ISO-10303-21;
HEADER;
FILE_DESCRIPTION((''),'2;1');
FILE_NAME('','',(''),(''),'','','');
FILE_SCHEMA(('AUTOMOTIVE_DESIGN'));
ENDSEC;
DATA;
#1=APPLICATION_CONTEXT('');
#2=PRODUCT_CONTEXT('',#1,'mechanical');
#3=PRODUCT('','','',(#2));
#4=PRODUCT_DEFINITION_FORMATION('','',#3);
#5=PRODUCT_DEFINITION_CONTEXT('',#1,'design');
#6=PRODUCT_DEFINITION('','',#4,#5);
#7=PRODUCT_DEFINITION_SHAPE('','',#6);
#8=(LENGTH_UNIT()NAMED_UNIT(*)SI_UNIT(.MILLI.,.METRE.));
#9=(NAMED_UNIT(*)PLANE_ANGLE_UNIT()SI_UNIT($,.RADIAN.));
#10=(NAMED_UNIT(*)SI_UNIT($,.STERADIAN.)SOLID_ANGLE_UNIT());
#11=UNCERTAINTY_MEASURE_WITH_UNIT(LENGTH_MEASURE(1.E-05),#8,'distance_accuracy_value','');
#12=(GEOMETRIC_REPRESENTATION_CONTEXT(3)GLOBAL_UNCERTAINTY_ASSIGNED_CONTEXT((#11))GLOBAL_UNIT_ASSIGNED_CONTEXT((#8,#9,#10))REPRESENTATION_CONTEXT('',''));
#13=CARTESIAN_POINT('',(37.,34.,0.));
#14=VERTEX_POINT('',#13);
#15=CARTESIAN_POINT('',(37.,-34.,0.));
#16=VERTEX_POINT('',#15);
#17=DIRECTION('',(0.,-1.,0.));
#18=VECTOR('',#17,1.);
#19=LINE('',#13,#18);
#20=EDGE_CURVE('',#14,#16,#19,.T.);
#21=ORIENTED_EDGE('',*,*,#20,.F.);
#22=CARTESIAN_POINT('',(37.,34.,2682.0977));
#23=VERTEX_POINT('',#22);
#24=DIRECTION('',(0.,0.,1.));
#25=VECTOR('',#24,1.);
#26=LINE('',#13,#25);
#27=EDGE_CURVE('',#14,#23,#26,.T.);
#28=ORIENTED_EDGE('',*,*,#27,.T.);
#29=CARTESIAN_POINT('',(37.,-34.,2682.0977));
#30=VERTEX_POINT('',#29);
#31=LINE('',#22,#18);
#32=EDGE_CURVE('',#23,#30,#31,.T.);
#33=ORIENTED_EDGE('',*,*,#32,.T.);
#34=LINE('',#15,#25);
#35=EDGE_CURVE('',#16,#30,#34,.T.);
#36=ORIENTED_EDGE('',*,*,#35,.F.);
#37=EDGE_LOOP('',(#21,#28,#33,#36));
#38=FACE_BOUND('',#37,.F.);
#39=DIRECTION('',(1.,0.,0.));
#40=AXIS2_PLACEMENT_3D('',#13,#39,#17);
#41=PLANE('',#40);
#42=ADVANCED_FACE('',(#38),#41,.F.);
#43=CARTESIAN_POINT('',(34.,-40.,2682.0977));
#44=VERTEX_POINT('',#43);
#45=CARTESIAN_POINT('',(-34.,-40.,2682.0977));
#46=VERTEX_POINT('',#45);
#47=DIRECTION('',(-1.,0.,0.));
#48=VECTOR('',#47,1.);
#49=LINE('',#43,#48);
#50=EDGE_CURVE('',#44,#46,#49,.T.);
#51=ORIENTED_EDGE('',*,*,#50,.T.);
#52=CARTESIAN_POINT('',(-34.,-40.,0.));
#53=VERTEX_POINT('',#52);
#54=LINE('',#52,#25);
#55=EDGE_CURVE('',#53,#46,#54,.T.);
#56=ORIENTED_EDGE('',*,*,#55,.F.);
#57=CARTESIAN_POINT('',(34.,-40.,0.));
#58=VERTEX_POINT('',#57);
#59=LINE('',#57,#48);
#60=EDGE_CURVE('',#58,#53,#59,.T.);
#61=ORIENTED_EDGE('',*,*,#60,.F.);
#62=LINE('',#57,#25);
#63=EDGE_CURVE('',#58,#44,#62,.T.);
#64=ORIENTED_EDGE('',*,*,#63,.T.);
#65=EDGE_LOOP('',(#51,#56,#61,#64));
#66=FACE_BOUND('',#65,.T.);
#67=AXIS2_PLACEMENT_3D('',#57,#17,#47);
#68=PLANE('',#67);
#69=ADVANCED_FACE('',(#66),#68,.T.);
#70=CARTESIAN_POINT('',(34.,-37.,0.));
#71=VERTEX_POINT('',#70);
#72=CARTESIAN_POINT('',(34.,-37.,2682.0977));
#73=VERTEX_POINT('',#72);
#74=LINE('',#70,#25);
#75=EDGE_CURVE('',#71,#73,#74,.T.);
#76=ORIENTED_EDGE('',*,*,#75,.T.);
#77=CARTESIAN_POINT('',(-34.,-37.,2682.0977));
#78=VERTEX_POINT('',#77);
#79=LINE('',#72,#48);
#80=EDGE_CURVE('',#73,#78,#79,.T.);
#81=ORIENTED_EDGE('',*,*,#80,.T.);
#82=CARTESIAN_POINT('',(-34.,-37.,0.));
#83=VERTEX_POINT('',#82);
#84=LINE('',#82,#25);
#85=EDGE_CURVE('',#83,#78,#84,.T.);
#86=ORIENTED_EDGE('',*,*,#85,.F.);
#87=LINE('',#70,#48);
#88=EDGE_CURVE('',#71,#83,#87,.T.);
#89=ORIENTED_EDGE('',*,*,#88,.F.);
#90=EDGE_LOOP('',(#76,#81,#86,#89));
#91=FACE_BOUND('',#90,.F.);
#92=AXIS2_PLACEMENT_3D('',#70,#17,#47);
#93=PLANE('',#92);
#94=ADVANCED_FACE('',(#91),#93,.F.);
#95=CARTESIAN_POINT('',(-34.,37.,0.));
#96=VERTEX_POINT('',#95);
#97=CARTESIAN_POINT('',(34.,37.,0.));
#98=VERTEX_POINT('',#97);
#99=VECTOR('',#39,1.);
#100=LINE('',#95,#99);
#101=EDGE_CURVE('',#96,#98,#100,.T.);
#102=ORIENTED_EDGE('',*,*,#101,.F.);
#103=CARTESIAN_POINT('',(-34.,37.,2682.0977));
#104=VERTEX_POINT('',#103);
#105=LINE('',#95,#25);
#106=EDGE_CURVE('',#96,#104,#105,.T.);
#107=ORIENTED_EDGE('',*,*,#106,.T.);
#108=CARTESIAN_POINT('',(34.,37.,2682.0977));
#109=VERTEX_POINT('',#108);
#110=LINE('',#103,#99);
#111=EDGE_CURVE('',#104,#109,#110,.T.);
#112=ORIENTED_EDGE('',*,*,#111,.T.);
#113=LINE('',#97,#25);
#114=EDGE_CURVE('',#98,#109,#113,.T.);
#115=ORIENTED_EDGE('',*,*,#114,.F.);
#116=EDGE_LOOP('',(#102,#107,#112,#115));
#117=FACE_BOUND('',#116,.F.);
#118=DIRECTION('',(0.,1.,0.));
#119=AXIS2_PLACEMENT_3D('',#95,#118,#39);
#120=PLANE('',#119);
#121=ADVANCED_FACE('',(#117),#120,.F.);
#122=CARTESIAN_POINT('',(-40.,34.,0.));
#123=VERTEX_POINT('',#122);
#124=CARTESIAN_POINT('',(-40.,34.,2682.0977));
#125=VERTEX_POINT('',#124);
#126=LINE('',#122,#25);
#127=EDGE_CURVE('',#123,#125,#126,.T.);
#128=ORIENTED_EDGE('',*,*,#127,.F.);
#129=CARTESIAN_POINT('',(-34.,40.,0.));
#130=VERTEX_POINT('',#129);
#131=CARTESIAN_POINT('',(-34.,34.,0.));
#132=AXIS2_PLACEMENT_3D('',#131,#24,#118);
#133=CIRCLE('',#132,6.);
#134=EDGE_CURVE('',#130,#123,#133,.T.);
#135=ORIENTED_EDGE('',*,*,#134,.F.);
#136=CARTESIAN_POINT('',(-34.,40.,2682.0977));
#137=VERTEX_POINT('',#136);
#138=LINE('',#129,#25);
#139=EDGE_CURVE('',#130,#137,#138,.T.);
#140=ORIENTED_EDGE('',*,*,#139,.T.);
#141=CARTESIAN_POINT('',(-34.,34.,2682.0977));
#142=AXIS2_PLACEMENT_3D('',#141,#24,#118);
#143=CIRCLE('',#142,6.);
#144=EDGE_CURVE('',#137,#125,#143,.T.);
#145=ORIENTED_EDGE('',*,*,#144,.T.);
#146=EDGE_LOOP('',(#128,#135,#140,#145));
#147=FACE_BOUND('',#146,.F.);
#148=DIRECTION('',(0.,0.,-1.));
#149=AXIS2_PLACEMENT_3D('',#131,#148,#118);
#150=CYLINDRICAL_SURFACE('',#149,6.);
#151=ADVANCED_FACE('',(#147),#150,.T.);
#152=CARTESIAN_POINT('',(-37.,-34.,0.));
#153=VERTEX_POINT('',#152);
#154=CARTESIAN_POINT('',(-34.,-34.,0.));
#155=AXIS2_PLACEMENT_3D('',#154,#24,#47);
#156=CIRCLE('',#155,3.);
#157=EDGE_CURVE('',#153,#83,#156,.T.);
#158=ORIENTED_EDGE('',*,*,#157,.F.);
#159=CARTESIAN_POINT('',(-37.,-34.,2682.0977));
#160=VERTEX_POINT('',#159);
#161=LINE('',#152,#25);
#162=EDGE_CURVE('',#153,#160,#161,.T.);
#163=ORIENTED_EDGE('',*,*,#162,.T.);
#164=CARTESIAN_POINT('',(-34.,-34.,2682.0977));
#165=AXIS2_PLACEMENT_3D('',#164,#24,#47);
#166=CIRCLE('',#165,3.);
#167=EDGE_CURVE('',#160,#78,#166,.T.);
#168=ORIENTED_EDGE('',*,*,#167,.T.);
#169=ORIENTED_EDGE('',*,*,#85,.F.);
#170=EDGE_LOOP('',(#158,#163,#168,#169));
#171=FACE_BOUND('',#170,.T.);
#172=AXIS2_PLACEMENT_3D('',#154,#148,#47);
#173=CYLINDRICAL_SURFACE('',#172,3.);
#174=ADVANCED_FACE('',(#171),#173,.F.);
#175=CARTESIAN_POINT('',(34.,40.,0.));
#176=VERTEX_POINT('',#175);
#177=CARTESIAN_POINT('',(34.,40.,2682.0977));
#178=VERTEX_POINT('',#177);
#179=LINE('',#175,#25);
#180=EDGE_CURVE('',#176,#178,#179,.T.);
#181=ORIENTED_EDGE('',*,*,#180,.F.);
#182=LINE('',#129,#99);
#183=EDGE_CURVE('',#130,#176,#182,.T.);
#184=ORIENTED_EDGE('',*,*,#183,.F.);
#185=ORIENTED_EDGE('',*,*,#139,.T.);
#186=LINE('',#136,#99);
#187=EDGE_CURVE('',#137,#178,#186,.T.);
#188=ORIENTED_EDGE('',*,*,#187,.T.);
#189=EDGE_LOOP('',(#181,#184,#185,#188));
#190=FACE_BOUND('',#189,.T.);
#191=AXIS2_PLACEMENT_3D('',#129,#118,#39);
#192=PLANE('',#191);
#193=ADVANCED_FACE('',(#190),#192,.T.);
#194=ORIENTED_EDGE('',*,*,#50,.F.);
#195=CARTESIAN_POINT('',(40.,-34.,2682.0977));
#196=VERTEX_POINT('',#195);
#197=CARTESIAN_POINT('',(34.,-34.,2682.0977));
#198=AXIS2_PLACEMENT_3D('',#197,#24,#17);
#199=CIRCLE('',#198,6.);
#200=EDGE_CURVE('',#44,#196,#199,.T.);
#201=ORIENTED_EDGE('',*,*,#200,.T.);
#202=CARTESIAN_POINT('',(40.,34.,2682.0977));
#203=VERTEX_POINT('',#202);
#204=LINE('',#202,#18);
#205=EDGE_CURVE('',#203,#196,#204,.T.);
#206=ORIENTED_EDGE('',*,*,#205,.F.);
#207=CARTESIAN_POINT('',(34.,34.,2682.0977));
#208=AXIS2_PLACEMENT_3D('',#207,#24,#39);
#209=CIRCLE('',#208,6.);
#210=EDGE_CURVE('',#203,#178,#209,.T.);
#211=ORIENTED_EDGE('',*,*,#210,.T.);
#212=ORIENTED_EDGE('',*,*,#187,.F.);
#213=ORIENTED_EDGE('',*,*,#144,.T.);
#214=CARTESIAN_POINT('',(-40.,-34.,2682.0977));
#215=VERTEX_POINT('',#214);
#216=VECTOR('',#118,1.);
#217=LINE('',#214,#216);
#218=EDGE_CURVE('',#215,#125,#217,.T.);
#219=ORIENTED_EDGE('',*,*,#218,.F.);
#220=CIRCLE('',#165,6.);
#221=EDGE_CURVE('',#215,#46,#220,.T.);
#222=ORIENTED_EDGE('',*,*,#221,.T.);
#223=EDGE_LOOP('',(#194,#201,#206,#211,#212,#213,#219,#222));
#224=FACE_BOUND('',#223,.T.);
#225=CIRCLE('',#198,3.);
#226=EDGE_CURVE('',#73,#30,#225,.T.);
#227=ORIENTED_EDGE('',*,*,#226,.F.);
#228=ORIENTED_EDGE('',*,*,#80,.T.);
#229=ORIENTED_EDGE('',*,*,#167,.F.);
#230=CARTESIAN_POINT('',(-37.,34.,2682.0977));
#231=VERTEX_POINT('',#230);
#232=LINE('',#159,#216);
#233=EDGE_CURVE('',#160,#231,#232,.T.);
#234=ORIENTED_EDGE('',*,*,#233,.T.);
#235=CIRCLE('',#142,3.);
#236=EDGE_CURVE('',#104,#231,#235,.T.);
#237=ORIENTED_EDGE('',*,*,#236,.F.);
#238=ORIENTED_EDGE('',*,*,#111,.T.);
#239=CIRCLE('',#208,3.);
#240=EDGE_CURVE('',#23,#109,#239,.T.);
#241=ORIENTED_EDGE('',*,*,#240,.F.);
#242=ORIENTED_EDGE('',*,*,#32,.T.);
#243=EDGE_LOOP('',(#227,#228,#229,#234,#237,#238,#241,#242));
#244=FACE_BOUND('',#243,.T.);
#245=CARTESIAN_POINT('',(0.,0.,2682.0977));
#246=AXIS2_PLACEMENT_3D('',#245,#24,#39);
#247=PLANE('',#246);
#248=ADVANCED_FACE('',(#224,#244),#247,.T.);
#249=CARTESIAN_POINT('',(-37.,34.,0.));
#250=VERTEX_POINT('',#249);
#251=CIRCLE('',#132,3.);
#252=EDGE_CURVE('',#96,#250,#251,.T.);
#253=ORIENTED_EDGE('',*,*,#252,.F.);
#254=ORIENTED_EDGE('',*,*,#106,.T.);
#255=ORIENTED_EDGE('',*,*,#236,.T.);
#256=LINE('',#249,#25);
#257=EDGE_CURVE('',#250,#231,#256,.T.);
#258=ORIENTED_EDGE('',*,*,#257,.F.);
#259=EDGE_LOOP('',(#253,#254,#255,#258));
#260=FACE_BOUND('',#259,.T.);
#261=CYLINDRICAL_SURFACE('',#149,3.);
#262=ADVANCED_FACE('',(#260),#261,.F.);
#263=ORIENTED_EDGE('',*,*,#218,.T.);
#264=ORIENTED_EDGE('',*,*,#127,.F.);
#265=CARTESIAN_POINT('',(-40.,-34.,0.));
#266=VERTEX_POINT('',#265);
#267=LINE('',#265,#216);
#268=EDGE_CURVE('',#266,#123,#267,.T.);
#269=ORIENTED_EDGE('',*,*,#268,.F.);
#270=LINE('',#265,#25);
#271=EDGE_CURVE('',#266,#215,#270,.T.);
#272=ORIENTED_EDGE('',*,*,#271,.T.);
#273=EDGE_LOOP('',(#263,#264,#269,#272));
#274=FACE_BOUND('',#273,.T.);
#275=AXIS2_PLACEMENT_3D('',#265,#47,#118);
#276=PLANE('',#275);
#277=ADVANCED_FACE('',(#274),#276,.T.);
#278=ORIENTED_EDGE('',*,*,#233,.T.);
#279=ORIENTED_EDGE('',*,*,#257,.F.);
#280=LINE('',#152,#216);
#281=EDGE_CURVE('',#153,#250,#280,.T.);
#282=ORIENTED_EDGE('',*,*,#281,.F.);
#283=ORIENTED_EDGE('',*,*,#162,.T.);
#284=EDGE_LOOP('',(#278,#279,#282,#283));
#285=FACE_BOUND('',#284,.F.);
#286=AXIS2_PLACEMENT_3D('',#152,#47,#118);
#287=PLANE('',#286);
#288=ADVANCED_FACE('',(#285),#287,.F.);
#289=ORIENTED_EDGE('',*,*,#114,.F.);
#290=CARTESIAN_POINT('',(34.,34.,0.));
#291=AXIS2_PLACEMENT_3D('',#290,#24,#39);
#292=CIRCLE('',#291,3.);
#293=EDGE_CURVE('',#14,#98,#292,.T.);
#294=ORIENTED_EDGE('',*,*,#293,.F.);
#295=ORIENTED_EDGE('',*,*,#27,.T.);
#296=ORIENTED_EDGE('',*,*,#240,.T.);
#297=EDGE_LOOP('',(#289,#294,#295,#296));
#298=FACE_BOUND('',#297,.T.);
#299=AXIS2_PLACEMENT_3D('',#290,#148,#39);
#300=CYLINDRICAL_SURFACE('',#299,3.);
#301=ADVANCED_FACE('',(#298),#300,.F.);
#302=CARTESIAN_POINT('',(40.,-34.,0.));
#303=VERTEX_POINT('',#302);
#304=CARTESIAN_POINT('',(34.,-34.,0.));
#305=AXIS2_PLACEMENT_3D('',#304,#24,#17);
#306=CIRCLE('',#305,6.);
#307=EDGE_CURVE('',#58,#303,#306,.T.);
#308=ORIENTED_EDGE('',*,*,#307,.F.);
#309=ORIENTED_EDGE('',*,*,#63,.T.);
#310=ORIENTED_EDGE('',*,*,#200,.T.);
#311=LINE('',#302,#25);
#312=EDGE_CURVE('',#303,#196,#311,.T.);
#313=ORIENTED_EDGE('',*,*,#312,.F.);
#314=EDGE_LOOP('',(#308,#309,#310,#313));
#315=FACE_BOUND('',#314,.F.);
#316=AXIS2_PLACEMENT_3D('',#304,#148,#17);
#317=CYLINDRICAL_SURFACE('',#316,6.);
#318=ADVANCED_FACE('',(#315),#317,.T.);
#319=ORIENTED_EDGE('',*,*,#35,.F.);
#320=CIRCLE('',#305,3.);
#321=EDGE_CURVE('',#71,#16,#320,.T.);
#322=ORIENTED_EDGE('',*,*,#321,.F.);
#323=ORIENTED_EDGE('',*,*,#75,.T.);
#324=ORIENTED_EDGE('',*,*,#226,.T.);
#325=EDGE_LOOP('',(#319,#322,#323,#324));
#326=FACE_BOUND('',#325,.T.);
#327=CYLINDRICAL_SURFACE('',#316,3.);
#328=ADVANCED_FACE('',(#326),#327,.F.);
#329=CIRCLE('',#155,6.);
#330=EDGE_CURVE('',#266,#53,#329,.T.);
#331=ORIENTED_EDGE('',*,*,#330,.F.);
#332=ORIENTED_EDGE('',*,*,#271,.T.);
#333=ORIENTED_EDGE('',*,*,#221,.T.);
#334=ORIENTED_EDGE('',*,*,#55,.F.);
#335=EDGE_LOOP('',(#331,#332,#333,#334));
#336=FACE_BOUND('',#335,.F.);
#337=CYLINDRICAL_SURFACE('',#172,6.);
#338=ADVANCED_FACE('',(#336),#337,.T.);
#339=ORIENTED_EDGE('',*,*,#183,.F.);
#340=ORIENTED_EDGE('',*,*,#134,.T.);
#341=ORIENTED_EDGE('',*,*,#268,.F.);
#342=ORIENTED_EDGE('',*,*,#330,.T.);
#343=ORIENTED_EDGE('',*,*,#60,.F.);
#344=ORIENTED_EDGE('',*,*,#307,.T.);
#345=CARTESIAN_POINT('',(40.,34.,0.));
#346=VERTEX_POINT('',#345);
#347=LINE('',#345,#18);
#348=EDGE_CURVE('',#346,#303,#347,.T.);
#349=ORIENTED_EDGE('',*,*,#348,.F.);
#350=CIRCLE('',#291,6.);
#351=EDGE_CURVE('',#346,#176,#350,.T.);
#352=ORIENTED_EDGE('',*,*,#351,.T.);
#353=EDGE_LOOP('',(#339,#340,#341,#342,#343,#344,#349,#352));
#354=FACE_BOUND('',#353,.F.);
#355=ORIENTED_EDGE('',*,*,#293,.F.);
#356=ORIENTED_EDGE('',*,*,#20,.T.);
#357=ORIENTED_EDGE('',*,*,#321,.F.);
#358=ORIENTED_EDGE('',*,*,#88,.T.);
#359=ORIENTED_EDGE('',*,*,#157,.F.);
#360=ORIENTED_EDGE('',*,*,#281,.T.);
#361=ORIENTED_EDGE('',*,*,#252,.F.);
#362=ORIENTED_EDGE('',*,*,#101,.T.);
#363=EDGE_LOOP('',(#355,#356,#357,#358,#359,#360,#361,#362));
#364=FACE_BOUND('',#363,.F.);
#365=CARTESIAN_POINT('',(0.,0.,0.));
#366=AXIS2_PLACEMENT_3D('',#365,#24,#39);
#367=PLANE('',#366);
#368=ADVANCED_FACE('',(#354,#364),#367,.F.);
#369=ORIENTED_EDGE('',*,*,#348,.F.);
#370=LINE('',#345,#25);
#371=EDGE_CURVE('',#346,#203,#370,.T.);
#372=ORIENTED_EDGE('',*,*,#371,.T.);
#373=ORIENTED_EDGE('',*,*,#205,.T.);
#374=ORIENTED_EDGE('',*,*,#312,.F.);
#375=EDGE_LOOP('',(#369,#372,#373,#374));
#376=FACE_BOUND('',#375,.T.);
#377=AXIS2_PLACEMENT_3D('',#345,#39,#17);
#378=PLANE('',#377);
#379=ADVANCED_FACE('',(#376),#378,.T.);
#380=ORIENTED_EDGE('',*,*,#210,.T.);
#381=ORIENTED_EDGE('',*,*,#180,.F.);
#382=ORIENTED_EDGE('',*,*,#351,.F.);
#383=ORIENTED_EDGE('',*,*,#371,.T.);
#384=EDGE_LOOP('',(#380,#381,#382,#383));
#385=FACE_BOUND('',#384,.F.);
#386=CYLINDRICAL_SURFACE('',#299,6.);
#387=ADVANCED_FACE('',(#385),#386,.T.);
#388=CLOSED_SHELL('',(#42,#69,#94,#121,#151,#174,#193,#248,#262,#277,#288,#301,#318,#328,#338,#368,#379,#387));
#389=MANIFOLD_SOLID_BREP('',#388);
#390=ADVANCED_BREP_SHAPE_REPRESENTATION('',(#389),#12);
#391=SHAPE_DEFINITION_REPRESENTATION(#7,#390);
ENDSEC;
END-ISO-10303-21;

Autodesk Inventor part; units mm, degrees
ref_plane "YZ Plane" through (0, 0, 0) normal (1, 0, 0) x (0, 1, 0)
ref_plane "Start Plane" through (0, 0, 0) normal (0, 0, 1) x (1, 0, 0)
ref_plane "End Plane" through (0, 0, 2682.0977) normal (0, 0, 1) x (1, 0, 0)
sketch "Sketch" plane through (0, 0, 0) normal (0, 0, 1) x (1, 0, 0)
  line L0 (-40, -34) -> (-40, 34)
  line L1 (-34, 40) -> (34, 40)
  line L2 (40, 34) -> (40, -34)
  line L3 (34, -40) -> (-34, -40)
  arc A0 (-40, -34) -> (-34, -40) centre (-34, -34) ccw
  arc A1 (40, 34) -> (34, 40) centre (34, 34) ccw
  arc A2 (-34, 40) -> (-40, 34) centre (-34, 34) ccw
  arc A3 (34, -40) -> (40, -34) centre (34, -34) ccw
  arc A4 (-34, 37) -> (-37, 34) centre (-34, 34) ccw
  line L4 (-34, 37) -> (34, 37)
  arc A5 (37, 34) -> (34, 37) centre (34, 34) ccw
  line L5 (37, 34) -> (37, -34)
  arc A6 (34, -37) -> (37, -34) centre (34, -34) ccw
  line L6 (34, -37) -> (-34, -37)
  arc A7 (-37, -34) -> (-34, -37) centre (-34, -34) ccw
  line L7 (-37, -34) -> (-37, 34)
  line L8 (0, 57.7397) -> (0, -57.7397) construction
  line L9 (-57.7397, 0) -> (57.7397, 0) construction
  dimension "d7" = 6
  dimension "d9" = 80
  dimension "d11" = 80
  dimension "d12" = 3
  dimension "d15" = 40
  dimension "d16" = 40
extrude "Body" add sketch "Sketch" along normal up to surface (2682.0977 mm away) from surface at 0
sketch "Sketch3" plane through (0, 0, 0) normal (0, 0, 1) x (1, 0, 0)
  line L0 (0, 0) -> (10, 0)
ref_plane "Work Plane3" through (0, 0, 0) normal (0, -1, 0) x (1, 0, 0)
sketch "Sketch4" plane through (0, 0, 0) normal (0, -1, 0) x (1, 0, 0)
  line L0 (-2, 0) -> (12, 0) projected
  line L1 (-2, 2682.0977) -> (12, 2682.0977) projected
  dimension "d18" = 2682.0977
equation "\"d7\" = G_IR"
equation "\"d9\" = G_W"
equation "\"d11\" = G_H"
equation "\"d12\" = G_T"
equation "\"d15\" = 0.5 * d9"
equation "\"d16\" = 0.5 * d11"
equation "\"d3\" = G_L"
equation "\"G_W\" = 80"
equation "\"G_H\" = 80"
equation "\"G_T\" = 3"
equation "\"G_IR\" = 6"
equation "\"G_L\" = d18"
equation "\"G_OFFSET_START\" = 0"
equation "\"G_OFFSET_END\" = 0"
equation "\"d14\" = G_OFFSET_END + B_L"
equation "\"B_L\" = 2682.09773"
properties part number "ISO 10799-2 - 80x80x3 - 2682,1" material "Steel, Mild"
